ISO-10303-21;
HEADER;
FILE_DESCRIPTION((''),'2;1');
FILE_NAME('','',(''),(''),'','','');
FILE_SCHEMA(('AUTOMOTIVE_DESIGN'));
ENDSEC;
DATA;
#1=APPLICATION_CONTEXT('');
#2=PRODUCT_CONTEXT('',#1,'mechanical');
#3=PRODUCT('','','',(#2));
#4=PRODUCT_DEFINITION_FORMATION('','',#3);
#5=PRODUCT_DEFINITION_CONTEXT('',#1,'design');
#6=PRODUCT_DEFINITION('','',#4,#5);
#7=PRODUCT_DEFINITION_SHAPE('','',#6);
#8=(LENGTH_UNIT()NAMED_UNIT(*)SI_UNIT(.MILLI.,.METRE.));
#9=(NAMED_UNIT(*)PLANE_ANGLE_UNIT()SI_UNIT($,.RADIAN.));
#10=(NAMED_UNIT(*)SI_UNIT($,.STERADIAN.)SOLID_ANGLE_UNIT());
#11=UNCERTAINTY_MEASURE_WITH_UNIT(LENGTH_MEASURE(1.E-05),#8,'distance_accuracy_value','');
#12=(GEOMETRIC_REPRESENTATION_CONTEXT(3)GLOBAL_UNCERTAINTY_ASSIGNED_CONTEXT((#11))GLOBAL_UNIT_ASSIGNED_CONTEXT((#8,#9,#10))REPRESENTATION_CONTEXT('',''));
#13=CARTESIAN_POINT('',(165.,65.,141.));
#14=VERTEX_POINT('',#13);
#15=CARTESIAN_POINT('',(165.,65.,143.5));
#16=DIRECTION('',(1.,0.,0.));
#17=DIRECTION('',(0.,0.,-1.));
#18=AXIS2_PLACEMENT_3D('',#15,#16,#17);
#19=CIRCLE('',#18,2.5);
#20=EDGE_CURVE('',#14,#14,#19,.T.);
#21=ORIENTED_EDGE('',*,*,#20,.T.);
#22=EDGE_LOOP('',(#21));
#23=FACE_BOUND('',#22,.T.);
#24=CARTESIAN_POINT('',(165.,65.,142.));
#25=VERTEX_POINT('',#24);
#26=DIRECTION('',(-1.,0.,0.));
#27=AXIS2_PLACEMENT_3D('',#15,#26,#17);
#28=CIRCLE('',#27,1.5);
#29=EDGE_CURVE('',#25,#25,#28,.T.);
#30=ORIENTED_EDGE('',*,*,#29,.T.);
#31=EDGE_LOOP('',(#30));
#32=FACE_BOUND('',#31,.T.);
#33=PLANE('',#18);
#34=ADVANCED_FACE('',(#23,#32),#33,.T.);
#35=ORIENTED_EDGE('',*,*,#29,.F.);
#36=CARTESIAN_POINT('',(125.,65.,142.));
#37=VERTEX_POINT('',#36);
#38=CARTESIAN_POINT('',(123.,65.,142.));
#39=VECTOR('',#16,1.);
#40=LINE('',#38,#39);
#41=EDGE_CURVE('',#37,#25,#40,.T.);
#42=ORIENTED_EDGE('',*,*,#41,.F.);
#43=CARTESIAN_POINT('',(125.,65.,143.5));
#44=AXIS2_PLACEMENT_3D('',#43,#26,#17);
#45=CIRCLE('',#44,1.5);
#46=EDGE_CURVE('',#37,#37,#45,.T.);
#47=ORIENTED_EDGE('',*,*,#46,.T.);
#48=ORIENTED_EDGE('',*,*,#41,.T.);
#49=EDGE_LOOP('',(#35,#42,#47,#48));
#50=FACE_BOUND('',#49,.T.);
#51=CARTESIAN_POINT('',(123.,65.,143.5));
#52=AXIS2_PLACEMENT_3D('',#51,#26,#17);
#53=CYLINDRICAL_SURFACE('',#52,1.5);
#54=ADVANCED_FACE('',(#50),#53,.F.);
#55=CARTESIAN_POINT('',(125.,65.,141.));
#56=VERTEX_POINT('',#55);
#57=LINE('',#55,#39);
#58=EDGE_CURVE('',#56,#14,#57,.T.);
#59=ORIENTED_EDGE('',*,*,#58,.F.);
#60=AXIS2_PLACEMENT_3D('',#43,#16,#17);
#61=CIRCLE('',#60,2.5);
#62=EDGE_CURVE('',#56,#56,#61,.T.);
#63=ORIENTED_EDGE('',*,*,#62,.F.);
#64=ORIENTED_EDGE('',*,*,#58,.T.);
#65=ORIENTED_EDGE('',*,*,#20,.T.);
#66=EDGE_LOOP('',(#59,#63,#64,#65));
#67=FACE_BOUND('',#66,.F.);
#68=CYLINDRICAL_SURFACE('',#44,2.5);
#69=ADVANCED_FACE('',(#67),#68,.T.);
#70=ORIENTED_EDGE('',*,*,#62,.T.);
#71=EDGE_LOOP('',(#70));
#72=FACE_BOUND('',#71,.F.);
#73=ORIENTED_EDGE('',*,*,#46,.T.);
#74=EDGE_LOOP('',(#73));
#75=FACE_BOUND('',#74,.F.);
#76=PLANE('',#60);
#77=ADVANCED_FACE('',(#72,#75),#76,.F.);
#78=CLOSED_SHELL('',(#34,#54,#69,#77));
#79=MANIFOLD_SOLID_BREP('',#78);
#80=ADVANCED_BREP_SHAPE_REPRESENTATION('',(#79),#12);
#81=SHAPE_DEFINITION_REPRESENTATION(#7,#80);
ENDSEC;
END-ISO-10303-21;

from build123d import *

# Parameters (mm, degrees)
CYLINDER001_R           = 1.5
CYLINDER001_DEPTH       = 44
CYLINDER001_PITCH_ANGLE = 90
CYLINDER_R              = 2.5
CYLINDER_DEPTH          = 40
CYLINDER_PITCH_ANGLE    = 90


with BuildPart() as cilindro001:
    # Cylinder001 → Cylinder001 (new body)
    with BuildSketch(Plane.XY):
        Circle(CYLINDER001_R)
    extrude(amount=CYLINDER001_DEPTH)


with BuildPart() as cilindro001_1:
    # Cylinder001 pitch: moved
    add(cilindro001.part.rotate(Axis((0, 0, 0), (0, 1, 0)), CYLINDER001_PITCH_ANGLE))


with BuildPart() as cilindro001_2:
    # Cylinder001 placement: moved
    add(cilindro001_1.part.moved(Location((-2, 0, 0))))


with BuildPart() as soporte1:
    # Cylinder → Cylinder (new body)
    with BuildSketch(Plane.XY):
        Circle(CYLINDER_R)
    extrude(amount=CYLINDER_DEPTH)


with BuildPart() as soporte1_1:
    # Cylinder pitch: moved
    add(soporte1.part.rotate(Axis((0, 0, 0), (0, 1, 0)), CYLINDER_PITCH_ANGLE))


with BuildPart() as soporte1_2:
    # Cylinder placement: moved
    add(soporte1_1.part)

    # Cut: cut Cilindro001
    add(cilindro001_2.part, mode=Mode.SUBTRACT)


with BuildPart() as soporte1_3:
    # Cut placement: moved
    add(soporte1_2.part.moved(Location((125, 65, 143.5))))


solid = soporte1_3.part
